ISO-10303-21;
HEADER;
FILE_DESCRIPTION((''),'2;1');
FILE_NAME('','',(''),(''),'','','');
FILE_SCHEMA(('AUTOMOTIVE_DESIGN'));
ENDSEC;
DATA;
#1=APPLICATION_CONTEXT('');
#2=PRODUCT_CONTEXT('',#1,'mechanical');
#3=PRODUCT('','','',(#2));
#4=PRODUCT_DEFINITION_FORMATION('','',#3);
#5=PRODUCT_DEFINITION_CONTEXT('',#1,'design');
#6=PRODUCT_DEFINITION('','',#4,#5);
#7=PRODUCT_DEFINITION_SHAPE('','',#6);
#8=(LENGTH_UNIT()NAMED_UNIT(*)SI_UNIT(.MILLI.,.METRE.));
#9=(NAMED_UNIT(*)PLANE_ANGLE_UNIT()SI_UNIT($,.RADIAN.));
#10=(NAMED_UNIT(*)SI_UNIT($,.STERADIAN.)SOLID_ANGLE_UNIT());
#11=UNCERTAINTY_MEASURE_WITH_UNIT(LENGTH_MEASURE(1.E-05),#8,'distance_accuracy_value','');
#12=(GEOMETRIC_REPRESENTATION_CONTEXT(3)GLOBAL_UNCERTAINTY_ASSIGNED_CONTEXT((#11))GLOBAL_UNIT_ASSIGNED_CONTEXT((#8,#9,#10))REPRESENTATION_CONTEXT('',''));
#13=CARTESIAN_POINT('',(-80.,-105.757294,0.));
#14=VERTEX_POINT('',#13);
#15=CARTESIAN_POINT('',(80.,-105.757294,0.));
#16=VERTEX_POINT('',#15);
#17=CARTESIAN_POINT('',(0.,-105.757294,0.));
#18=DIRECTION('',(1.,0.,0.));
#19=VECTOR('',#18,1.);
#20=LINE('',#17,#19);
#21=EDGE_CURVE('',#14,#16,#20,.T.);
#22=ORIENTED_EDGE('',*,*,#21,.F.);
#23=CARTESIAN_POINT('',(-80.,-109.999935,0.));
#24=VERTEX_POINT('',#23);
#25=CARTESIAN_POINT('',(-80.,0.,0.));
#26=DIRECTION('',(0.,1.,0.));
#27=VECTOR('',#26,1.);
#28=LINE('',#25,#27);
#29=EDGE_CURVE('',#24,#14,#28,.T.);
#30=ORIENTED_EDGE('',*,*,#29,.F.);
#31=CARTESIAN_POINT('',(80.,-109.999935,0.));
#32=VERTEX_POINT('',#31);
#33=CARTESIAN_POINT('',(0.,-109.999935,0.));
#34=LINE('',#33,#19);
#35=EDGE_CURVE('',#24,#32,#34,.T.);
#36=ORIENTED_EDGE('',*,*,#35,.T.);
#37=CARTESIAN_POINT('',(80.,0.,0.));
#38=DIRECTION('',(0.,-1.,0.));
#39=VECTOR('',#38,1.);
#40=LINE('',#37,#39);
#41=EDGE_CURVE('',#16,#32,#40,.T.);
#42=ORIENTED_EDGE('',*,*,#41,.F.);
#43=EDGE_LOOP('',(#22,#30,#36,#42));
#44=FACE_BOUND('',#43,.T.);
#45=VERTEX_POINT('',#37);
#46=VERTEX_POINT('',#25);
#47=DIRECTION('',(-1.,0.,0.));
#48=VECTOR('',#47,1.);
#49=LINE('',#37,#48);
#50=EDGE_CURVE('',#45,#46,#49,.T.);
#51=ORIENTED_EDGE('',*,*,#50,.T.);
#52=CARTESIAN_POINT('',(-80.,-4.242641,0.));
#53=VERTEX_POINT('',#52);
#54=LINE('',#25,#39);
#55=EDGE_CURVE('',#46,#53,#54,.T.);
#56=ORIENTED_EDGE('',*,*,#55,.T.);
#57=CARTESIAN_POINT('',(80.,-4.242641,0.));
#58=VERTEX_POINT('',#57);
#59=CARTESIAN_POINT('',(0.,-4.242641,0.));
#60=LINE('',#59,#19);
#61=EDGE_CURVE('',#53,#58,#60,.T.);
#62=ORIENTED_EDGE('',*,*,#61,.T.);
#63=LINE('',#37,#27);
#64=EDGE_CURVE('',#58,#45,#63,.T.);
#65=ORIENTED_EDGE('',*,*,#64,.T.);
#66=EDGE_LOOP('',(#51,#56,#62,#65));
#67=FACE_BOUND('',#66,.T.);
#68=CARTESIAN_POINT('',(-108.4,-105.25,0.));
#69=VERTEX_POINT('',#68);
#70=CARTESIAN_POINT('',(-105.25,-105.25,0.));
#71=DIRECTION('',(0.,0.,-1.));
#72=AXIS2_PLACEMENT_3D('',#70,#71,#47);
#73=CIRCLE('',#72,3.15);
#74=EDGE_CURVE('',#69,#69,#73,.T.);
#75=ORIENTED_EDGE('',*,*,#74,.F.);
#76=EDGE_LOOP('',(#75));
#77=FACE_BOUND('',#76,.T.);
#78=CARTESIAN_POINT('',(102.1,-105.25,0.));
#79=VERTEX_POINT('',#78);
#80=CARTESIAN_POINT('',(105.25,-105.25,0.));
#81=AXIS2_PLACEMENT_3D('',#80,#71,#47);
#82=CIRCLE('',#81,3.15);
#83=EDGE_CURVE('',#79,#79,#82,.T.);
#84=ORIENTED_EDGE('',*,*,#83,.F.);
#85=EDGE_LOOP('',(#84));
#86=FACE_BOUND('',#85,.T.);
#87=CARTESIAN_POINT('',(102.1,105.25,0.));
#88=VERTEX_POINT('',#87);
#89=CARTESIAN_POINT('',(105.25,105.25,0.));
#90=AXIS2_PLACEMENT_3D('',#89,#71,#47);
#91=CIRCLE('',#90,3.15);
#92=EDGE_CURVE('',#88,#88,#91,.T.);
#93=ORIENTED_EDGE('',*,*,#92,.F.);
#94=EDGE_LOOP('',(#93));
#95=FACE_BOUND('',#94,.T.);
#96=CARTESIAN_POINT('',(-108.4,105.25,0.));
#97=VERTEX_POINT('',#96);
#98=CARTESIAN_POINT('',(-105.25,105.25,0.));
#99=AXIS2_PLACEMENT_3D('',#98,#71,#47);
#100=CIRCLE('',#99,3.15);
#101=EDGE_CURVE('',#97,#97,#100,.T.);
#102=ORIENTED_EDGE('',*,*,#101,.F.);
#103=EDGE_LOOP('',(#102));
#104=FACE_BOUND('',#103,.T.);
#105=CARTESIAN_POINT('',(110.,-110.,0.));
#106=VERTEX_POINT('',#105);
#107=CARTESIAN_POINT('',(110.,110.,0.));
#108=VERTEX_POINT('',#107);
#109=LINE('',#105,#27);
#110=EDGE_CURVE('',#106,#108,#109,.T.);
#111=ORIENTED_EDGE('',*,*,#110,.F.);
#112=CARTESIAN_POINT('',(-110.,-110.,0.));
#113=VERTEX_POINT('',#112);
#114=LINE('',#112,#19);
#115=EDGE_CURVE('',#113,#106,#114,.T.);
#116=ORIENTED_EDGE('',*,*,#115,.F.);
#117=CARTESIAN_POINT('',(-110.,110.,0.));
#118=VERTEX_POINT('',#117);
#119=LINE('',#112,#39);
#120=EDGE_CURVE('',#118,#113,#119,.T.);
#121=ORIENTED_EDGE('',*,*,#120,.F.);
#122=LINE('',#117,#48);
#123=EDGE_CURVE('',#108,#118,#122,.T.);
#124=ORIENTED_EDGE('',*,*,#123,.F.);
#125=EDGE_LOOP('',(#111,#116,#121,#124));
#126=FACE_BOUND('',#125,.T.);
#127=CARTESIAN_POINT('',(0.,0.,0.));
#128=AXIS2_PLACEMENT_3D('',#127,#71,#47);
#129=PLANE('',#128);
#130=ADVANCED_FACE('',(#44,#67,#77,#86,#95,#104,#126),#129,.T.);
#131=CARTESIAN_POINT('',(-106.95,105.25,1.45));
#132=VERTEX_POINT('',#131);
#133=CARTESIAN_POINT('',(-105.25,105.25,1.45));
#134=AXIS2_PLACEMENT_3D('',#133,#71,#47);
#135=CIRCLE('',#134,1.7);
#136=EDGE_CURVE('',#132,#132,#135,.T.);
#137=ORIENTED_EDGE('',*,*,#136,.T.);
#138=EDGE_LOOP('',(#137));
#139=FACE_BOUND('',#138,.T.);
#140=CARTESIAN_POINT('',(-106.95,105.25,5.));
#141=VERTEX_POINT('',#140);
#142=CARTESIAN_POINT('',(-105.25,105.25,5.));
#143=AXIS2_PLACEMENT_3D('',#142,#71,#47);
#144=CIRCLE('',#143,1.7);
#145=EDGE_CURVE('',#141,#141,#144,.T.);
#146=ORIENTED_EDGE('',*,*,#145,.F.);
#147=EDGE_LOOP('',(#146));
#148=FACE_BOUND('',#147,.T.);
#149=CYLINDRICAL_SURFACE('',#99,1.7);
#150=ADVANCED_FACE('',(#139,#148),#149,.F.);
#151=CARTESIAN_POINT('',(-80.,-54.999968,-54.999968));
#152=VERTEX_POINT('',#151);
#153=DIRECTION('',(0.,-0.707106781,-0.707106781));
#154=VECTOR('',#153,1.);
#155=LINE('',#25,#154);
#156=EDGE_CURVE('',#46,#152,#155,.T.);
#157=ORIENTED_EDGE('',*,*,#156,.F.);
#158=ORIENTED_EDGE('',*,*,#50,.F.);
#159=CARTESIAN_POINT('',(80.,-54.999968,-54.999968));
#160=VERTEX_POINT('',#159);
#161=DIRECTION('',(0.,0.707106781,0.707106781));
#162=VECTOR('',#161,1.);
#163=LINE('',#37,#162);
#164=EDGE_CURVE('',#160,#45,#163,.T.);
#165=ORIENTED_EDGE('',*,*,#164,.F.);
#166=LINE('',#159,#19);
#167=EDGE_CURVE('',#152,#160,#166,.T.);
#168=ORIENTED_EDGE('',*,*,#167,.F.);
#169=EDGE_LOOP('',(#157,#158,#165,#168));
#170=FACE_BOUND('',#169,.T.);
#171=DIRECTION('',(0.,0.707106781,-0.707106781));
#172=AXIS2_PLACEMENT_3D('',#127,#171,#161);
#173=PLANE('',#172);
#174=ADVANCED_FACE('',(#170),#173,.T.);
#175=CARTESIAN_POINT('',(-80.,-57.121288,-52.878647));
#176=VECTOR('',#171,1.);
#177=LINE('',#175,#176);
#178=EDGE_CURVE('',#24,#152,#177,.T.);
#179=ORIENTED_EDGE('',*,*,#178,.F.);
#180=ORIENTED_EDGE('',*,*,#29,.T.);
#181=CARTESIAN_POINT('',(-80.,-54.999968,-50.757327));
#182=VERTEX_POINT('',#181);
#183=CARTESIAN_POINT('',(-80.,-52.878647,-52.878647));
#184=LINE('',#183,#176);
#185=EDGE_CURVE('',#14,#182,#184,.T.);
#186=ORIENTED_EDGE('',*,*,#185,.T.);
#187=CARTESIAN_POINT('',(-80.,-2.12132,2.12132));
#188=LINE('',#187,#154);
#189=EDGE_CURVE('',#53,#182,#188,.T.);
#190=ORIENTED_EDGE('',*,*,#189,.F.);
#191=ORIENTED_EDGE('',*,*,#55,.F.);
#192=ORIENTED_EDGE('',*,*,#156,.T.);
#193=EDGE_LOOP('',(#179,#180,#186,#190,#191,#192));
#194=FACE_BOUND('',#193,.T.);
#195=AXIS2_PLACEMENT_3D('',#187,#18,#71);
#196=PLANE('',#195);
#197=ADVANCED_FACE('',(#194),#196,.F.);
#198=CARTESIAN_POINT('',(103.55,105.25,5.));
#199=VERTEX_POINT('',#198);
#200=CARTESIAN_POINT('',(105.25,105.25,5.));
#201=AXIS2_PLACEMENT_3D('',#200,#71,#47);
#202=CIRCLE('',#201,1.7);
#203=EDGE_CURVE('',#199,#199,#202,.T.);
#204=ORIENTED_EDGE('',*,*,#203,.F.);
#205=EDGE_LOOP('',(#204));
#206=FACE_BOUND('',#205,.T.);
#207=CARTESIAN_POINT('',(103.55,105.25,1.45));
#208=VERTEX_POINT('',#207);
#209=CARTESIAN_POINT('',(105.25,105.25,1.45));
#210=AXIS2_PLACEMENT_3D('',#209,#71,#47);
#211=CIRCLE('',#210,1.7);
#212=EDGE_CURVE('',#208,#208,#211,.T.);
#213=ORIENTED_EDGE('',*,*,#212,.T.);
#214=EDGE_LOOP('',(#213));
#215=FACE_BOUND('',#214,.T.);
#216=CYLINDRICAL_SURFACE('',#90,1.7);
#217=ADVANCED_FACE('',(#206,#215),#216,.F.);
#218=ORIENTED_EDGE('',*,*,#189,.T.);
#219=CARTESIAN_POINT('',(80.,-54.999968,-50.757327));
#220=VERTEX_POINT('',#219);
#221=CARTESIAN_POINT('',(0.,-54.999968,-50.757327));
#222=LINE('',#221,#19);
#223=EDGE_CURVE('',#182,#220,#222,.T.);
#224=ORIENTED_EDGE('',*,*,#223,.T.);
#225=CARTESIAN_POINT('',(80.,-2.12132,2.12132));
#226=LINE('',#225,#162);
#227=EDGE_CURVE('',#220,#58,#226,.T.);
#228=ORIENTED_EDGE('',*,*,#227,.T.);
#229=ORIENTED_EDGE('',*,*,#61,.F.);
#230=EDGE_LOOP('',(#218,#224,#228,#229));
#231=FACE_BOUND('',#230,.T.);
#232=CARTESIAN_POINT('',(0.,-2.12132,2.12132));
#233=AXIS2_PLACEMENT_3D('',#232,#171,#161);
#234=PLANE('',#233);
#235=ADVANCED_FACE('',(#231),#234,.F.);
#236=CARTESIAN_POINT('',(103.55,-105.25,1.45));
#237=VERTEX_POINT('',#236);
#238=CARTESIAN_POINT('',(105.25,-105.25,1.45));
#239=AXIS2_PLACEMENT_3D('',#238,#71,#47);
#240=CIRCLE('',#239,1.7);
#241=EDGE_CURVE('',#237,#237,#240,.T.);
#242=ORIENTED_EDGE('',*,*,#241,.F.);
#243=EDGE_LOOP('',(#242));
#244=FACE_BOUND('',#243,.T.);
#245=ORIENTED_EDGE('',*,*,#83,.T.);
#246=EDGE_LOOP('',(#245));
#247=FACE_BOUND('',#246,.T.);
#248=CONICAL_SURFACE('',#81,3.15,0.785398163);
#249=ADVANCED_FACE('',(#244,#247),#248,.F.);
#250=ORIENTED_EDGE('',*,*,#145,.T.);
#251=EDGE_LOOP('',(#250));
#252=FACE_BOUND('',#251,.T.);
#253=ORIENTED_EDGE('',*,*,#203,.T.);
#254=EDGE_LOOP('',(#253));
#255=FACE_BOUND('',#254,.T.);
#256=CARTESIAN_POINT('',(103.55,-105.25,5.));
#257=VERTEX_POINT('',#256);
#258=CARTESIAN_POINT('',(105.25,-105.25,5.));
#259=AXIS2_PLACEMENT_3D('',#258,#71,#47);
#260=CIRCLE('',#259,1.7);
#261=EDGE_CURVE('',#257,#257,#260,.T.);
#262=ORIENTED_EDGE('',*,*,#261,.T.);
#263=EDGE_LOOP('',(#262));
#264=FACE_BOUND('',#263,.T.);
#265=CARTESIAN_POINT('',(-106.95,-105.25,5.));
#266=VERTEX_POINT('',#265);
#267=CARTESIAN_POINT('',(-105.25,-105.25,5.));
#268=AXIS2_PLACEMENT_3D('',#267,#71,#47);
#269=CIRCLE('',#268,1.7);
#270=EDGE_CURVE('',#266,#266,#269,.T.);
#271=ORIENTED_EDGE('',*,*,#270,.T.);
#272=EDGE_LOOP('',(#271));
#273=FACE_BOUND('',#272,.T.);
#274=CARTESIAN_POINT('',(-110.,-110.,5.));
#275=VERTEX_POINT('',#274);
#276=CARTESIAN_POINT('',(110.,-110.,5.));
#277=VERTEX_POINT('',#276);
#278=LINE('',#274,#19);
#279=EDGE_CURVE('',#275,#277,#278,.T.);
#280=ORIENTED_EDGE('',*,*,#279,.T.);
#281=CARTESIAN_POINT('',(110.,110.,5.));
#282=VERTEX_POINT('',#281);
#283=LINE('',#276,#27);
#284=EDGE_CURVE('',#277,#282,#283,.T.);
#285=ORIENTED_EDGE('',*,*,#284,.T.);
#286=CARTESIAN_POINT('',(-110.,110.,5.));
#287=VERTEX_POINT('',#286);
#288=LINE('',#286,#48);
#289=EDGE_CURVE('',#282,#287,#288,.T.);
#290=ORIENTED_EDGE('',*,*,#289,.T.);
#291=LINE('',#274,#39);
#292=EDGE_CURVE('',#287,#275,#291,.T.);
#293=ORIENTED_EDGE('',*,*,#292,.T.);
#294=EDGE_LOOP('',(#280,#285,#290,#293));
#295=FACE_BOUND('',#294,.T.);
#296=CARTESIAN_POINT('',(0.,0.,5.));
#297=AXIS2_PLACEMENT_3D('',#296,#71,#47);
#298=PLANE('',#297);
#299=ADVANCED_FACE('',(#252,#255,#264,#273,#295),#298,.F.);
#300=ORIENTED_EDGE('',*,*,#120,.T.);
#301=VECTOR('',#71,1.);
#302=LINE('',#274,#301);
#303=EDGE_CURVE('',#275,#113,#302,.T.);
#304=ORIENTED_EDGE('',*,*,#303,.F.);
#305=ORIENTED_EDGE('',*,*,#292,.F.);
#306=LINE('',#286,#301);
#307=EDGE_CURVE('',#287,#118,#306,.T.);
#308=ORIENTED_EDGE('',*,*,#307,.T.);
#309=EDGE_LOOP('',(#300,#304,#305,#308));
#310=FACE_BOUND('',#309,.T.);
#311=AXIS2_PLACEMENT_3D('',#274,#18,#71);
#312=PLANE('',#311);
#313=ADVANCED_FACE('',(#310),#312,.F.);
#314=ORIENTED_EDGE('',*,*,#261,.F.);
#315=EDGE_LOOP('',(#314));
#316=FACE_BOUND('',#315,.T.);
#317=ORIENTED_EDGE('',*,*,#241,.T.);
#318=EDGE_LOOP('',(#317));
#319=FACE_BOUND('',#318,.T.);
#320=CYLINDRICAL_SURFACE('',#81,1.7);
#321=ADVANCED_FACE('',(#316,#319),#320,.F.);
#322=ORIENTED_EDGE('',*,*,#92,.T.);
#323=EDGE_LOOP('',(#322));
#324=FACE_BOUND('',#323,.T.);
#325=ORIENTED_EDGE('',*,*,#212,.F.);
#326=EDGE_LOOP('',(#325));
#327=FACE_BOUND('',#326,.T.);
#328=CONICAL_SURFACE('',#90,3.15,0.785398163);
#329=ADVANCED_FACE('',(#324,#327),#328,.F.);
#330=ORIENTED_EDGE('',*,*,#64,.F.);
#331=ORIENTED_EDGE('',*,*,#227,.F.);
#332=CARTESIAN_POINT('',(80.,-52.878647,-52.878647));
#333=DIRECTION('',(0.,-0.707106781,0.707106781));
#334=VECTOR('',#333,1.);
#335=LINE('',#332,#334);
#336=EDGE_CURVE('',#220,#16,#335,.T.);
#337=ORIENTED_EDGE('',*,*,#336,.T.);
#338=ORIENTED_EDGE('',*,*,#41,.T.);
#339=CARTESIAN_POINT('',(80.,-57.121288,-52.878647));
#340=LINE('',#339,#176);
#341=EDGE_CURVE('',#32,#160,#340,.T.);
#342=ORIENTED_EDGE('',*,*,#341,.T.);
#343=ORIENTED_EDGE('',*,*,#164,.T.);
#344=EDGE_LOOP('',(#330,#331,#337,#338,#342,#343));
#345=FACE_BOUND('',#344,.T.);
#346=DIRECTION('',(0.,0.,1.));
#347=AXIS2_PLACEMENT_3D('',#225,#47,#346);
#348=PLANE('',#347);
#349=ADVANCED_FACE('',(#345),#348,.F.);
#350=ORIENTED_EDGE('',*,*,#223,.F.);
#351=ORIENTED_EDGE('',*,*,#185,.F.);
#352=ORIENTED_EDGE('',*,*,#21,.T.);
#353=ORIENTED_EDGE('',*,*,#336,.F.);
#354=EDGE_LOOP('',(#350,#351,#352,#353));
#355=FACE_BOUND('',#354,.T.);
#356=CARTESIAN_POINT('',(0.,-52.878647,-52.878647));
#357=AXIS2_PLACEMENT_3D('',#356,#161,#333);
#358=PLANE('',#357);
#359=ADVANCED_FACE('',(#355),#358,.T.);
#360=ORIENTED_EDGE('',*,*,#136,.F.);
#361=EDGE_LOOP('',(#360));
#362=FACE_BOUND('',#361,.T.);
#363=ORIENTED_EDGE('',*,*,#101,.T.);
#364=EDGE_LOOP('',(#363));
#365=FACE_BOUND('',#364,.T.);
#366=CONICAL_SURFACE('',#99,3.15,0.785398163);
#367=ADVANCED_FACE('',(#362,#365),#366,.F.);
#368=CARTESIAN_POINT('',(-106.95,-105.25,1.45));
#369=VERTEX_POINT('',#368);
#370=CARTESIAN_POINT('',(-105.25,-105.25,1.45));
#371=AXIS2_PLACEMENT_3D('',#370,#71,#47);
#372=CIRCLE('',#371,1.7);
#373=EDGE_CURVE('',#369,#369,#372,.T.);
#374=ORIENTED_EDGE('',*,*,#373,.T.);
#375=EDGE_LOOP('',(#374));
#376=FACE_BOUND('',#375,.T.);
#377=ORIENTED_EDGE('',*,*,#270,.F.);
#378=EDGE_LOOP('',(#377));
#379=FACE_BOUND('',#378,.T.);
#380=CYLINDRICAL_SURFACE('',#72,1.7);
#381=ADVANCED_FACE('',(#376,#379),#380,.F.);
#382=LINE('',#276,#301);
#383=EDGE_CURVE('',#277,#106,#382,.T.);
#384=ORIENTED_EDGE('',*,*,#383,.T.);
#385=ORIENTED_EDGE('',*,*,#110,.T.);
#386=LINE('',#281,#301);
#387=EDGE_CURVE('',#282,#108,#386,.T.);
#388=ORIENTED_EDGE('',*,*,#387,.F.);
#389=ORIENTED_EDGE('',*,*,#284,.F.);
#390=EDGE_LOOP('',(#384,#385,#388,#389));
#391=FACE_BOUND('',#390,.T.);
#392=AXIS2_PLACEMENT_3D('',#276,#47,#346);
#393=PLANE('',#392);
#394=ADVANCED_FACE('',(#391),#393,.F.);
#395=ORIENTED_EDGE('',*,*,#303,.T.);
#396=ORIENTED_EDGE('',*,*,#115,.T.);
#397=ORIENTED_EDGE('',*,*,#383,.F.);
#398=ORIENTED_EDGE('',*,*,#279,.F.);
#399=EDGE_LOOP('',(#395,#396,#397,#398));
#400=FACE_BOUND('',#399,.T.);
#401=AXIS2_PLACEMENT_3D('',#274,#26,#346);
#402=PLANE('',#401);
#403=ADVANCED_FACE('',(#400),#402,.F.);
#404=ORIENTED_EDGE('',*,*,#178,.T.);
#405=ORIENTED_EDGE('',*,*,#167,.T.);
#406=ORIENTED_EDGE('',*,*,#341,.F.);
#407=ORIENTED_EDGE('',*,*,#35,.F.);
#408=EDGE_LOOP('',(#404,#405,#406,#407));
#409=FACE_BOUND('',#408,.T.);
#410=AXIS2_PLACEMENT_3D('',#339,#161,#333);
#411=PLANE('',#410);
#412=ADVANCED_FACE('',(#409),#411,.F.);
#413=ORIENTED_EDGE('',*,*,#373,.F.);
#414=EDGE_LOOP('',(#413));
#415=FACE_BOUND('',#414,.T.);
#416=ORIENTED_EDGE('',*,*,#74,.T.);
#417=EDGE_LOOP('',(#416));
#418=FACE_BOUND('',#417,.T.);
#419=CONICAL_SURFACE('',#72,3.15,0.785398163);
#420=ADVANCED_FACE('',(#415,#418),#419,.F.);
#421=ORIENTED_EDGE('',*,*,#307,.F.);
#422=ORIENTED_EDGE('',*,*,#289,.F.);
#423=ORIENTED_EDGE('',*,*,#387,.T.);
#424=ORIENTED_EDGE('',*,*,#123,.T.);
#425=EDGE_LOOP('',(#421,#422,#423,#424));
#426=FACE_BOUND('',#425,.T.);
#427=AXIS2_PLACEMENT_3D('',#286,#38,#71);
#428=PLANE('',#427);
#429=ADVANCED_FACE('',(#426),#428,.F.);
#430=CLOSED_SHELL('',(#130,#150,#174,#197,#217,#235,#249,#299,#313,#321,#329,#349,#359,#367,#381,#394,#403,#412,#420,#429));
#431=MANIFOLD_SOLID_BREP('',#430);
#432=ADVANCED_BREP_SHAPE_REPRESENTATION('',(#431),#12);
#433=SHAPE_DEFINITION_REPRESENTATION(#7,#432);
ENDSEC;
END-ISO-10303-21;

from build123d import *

# Parameters (mm, degrees)
SKICA1_W                                          = 220
SKICA1_H                                          = 220
P_IDAT_VYSUNUT_M1_DEPTH                           = 5
KU_ELOV_ZAHLOUBEN_PRO_M3_ROUBU_SE_Z_P_D           = 3.4
KU_ELOV_ZAHLOUBEN_PRO_M3_ROUBU_SE_Z_P_CSINK_D     = 6.3
KU_ELOV_ZAHLOUBEN_PRO_M3_ROUBU_SE_Z_P_CSINK_ANGLE = 90
ZRCADLIT1_AT_THE_SECOND_PLANE_COPY_1_D            = 3.4
ZRCADLIT1_AT_THE_SECOND_PLANE_COPY_1_CSINK_D      = 6.3
ZRCADLIT1_AT_THE_SECOND_PLANE_COPY_1_CSINK_ANGLE  = 90
SKICA11_W                                         = 160
SKICA11_H                                         = 77.7817
P_IDAT_VYSUNUT_M2_DEPTH                           = 3
SKICA17_W                                         = 160
SKICA17_H                                         = 77.781745931
P_IDAT_VYSUNUT_M3_DEPTH                           = 3


with BuildPart() as part:
    # Skica1 → Přidat vysunutím1 (new body)
    with BuildSketch(Plane.XY):
        Rectangle(SKICA1_W, SKICA1_H)
    extrude(amount=P_IDAT_VYSUNUT_M1_DEPTH)

    # Kuželové zahloubení pro M3 šroubu se zápustnou hlavou plochou1 (through all)
    with Locations(Plane(origin=(0, 0, 0), x_dir=(-1, 0, 0), z_dir=(0, 0, -1))):
        with Locations((-105.25, -105.25)):
            ku_elov_zahlouben_pro_m3_roubu_se_z_p = CounterSinkHole(KU_ELOV_ZAHLOUBEN_PRO_M3_ROUBU_SE_Z_P_D / 2, KU_ELOV_ZAHLOUBEN_PRO_M3_ROUBU_SE_Z_P_CSINK_D / 2, counter_sink_angle=KU_ELOV_ZAHLOUBEN_PRO_M3_ROUBU_SE_Z_P_CSINK_ANGLE)

    # Zrcadlit1: Kuželové zahloubení pro M3 šroubu se zápustnou hlavou plochou1 across plane
    add(ku_elov_zahlouben_pro_m3_roubu_se_z_p.mirror(Plane.ZX), mode=Mode.SUBTRACT)

    # Zrcadlit1 at the second plane: Kuželové zahloubení pro M3 šroubu se zápustnou hlavou plochou1 across plane
    add(ku_elov_zahlouben_pro_m3_roubu_se_z_p.mirror(Plane(origin=(0, 0, 0), x_dir=(0, 0, 1), z_dir=(1, 0, 0))), mode=Mode.SUBTRACT)

    # Zrcadlit1 at the second plane copy 1 (through all)
    with Locations(Plane(origin=(0, 0, 0), x_dir=(1, 0, 0), z_dir=(0, 0, -1))):
        with Locations((-105.25, -105.25)):
            CounterSinkHole(ZRCADLIT1_AT_THE_SECOND_PLANE_COPY_1_D / 2, ZRCADLIT1_AT_THE_SECOND_PLANE_COPY_1_CSINK_D / 2, counter_sink_angle=ZRCADLIT1_AT_THE_SECOND_PLANE_COPY_1_CSINK_ANGLE)

    # Skica11 → Přidat vysunutím2 (add)
    with BuildSketch(Plane(origin=(0, 0, 0), x_dir=(-1, 0, 0), z_dir=(0, -0.7071067811865438, 0.7071067811865512))):
        with Locations((0, 38.89085)):
            Rectangle(SKICA11_W, SKICA11_H)
    extrude(amount=P_IDAT_VYSUNUT_M2_DEPTH)

    # Skica17 → Přidat vysunutím3 (add)
    with BuildSketch(Plane(origin=(0, -54.999967522, -54.999967522), x_dir=(1, 0, 0), z_dir=(0, -0.7071067811865513, -0.7071067811865438))):
        with Locations((0, 38.890872966)):
            Rectangle(SKICA17_W, SKICA17_H)
    extrude(amount=-P_IDAT_VYSUNUT_M3_DEPTH)


solid = part.part
